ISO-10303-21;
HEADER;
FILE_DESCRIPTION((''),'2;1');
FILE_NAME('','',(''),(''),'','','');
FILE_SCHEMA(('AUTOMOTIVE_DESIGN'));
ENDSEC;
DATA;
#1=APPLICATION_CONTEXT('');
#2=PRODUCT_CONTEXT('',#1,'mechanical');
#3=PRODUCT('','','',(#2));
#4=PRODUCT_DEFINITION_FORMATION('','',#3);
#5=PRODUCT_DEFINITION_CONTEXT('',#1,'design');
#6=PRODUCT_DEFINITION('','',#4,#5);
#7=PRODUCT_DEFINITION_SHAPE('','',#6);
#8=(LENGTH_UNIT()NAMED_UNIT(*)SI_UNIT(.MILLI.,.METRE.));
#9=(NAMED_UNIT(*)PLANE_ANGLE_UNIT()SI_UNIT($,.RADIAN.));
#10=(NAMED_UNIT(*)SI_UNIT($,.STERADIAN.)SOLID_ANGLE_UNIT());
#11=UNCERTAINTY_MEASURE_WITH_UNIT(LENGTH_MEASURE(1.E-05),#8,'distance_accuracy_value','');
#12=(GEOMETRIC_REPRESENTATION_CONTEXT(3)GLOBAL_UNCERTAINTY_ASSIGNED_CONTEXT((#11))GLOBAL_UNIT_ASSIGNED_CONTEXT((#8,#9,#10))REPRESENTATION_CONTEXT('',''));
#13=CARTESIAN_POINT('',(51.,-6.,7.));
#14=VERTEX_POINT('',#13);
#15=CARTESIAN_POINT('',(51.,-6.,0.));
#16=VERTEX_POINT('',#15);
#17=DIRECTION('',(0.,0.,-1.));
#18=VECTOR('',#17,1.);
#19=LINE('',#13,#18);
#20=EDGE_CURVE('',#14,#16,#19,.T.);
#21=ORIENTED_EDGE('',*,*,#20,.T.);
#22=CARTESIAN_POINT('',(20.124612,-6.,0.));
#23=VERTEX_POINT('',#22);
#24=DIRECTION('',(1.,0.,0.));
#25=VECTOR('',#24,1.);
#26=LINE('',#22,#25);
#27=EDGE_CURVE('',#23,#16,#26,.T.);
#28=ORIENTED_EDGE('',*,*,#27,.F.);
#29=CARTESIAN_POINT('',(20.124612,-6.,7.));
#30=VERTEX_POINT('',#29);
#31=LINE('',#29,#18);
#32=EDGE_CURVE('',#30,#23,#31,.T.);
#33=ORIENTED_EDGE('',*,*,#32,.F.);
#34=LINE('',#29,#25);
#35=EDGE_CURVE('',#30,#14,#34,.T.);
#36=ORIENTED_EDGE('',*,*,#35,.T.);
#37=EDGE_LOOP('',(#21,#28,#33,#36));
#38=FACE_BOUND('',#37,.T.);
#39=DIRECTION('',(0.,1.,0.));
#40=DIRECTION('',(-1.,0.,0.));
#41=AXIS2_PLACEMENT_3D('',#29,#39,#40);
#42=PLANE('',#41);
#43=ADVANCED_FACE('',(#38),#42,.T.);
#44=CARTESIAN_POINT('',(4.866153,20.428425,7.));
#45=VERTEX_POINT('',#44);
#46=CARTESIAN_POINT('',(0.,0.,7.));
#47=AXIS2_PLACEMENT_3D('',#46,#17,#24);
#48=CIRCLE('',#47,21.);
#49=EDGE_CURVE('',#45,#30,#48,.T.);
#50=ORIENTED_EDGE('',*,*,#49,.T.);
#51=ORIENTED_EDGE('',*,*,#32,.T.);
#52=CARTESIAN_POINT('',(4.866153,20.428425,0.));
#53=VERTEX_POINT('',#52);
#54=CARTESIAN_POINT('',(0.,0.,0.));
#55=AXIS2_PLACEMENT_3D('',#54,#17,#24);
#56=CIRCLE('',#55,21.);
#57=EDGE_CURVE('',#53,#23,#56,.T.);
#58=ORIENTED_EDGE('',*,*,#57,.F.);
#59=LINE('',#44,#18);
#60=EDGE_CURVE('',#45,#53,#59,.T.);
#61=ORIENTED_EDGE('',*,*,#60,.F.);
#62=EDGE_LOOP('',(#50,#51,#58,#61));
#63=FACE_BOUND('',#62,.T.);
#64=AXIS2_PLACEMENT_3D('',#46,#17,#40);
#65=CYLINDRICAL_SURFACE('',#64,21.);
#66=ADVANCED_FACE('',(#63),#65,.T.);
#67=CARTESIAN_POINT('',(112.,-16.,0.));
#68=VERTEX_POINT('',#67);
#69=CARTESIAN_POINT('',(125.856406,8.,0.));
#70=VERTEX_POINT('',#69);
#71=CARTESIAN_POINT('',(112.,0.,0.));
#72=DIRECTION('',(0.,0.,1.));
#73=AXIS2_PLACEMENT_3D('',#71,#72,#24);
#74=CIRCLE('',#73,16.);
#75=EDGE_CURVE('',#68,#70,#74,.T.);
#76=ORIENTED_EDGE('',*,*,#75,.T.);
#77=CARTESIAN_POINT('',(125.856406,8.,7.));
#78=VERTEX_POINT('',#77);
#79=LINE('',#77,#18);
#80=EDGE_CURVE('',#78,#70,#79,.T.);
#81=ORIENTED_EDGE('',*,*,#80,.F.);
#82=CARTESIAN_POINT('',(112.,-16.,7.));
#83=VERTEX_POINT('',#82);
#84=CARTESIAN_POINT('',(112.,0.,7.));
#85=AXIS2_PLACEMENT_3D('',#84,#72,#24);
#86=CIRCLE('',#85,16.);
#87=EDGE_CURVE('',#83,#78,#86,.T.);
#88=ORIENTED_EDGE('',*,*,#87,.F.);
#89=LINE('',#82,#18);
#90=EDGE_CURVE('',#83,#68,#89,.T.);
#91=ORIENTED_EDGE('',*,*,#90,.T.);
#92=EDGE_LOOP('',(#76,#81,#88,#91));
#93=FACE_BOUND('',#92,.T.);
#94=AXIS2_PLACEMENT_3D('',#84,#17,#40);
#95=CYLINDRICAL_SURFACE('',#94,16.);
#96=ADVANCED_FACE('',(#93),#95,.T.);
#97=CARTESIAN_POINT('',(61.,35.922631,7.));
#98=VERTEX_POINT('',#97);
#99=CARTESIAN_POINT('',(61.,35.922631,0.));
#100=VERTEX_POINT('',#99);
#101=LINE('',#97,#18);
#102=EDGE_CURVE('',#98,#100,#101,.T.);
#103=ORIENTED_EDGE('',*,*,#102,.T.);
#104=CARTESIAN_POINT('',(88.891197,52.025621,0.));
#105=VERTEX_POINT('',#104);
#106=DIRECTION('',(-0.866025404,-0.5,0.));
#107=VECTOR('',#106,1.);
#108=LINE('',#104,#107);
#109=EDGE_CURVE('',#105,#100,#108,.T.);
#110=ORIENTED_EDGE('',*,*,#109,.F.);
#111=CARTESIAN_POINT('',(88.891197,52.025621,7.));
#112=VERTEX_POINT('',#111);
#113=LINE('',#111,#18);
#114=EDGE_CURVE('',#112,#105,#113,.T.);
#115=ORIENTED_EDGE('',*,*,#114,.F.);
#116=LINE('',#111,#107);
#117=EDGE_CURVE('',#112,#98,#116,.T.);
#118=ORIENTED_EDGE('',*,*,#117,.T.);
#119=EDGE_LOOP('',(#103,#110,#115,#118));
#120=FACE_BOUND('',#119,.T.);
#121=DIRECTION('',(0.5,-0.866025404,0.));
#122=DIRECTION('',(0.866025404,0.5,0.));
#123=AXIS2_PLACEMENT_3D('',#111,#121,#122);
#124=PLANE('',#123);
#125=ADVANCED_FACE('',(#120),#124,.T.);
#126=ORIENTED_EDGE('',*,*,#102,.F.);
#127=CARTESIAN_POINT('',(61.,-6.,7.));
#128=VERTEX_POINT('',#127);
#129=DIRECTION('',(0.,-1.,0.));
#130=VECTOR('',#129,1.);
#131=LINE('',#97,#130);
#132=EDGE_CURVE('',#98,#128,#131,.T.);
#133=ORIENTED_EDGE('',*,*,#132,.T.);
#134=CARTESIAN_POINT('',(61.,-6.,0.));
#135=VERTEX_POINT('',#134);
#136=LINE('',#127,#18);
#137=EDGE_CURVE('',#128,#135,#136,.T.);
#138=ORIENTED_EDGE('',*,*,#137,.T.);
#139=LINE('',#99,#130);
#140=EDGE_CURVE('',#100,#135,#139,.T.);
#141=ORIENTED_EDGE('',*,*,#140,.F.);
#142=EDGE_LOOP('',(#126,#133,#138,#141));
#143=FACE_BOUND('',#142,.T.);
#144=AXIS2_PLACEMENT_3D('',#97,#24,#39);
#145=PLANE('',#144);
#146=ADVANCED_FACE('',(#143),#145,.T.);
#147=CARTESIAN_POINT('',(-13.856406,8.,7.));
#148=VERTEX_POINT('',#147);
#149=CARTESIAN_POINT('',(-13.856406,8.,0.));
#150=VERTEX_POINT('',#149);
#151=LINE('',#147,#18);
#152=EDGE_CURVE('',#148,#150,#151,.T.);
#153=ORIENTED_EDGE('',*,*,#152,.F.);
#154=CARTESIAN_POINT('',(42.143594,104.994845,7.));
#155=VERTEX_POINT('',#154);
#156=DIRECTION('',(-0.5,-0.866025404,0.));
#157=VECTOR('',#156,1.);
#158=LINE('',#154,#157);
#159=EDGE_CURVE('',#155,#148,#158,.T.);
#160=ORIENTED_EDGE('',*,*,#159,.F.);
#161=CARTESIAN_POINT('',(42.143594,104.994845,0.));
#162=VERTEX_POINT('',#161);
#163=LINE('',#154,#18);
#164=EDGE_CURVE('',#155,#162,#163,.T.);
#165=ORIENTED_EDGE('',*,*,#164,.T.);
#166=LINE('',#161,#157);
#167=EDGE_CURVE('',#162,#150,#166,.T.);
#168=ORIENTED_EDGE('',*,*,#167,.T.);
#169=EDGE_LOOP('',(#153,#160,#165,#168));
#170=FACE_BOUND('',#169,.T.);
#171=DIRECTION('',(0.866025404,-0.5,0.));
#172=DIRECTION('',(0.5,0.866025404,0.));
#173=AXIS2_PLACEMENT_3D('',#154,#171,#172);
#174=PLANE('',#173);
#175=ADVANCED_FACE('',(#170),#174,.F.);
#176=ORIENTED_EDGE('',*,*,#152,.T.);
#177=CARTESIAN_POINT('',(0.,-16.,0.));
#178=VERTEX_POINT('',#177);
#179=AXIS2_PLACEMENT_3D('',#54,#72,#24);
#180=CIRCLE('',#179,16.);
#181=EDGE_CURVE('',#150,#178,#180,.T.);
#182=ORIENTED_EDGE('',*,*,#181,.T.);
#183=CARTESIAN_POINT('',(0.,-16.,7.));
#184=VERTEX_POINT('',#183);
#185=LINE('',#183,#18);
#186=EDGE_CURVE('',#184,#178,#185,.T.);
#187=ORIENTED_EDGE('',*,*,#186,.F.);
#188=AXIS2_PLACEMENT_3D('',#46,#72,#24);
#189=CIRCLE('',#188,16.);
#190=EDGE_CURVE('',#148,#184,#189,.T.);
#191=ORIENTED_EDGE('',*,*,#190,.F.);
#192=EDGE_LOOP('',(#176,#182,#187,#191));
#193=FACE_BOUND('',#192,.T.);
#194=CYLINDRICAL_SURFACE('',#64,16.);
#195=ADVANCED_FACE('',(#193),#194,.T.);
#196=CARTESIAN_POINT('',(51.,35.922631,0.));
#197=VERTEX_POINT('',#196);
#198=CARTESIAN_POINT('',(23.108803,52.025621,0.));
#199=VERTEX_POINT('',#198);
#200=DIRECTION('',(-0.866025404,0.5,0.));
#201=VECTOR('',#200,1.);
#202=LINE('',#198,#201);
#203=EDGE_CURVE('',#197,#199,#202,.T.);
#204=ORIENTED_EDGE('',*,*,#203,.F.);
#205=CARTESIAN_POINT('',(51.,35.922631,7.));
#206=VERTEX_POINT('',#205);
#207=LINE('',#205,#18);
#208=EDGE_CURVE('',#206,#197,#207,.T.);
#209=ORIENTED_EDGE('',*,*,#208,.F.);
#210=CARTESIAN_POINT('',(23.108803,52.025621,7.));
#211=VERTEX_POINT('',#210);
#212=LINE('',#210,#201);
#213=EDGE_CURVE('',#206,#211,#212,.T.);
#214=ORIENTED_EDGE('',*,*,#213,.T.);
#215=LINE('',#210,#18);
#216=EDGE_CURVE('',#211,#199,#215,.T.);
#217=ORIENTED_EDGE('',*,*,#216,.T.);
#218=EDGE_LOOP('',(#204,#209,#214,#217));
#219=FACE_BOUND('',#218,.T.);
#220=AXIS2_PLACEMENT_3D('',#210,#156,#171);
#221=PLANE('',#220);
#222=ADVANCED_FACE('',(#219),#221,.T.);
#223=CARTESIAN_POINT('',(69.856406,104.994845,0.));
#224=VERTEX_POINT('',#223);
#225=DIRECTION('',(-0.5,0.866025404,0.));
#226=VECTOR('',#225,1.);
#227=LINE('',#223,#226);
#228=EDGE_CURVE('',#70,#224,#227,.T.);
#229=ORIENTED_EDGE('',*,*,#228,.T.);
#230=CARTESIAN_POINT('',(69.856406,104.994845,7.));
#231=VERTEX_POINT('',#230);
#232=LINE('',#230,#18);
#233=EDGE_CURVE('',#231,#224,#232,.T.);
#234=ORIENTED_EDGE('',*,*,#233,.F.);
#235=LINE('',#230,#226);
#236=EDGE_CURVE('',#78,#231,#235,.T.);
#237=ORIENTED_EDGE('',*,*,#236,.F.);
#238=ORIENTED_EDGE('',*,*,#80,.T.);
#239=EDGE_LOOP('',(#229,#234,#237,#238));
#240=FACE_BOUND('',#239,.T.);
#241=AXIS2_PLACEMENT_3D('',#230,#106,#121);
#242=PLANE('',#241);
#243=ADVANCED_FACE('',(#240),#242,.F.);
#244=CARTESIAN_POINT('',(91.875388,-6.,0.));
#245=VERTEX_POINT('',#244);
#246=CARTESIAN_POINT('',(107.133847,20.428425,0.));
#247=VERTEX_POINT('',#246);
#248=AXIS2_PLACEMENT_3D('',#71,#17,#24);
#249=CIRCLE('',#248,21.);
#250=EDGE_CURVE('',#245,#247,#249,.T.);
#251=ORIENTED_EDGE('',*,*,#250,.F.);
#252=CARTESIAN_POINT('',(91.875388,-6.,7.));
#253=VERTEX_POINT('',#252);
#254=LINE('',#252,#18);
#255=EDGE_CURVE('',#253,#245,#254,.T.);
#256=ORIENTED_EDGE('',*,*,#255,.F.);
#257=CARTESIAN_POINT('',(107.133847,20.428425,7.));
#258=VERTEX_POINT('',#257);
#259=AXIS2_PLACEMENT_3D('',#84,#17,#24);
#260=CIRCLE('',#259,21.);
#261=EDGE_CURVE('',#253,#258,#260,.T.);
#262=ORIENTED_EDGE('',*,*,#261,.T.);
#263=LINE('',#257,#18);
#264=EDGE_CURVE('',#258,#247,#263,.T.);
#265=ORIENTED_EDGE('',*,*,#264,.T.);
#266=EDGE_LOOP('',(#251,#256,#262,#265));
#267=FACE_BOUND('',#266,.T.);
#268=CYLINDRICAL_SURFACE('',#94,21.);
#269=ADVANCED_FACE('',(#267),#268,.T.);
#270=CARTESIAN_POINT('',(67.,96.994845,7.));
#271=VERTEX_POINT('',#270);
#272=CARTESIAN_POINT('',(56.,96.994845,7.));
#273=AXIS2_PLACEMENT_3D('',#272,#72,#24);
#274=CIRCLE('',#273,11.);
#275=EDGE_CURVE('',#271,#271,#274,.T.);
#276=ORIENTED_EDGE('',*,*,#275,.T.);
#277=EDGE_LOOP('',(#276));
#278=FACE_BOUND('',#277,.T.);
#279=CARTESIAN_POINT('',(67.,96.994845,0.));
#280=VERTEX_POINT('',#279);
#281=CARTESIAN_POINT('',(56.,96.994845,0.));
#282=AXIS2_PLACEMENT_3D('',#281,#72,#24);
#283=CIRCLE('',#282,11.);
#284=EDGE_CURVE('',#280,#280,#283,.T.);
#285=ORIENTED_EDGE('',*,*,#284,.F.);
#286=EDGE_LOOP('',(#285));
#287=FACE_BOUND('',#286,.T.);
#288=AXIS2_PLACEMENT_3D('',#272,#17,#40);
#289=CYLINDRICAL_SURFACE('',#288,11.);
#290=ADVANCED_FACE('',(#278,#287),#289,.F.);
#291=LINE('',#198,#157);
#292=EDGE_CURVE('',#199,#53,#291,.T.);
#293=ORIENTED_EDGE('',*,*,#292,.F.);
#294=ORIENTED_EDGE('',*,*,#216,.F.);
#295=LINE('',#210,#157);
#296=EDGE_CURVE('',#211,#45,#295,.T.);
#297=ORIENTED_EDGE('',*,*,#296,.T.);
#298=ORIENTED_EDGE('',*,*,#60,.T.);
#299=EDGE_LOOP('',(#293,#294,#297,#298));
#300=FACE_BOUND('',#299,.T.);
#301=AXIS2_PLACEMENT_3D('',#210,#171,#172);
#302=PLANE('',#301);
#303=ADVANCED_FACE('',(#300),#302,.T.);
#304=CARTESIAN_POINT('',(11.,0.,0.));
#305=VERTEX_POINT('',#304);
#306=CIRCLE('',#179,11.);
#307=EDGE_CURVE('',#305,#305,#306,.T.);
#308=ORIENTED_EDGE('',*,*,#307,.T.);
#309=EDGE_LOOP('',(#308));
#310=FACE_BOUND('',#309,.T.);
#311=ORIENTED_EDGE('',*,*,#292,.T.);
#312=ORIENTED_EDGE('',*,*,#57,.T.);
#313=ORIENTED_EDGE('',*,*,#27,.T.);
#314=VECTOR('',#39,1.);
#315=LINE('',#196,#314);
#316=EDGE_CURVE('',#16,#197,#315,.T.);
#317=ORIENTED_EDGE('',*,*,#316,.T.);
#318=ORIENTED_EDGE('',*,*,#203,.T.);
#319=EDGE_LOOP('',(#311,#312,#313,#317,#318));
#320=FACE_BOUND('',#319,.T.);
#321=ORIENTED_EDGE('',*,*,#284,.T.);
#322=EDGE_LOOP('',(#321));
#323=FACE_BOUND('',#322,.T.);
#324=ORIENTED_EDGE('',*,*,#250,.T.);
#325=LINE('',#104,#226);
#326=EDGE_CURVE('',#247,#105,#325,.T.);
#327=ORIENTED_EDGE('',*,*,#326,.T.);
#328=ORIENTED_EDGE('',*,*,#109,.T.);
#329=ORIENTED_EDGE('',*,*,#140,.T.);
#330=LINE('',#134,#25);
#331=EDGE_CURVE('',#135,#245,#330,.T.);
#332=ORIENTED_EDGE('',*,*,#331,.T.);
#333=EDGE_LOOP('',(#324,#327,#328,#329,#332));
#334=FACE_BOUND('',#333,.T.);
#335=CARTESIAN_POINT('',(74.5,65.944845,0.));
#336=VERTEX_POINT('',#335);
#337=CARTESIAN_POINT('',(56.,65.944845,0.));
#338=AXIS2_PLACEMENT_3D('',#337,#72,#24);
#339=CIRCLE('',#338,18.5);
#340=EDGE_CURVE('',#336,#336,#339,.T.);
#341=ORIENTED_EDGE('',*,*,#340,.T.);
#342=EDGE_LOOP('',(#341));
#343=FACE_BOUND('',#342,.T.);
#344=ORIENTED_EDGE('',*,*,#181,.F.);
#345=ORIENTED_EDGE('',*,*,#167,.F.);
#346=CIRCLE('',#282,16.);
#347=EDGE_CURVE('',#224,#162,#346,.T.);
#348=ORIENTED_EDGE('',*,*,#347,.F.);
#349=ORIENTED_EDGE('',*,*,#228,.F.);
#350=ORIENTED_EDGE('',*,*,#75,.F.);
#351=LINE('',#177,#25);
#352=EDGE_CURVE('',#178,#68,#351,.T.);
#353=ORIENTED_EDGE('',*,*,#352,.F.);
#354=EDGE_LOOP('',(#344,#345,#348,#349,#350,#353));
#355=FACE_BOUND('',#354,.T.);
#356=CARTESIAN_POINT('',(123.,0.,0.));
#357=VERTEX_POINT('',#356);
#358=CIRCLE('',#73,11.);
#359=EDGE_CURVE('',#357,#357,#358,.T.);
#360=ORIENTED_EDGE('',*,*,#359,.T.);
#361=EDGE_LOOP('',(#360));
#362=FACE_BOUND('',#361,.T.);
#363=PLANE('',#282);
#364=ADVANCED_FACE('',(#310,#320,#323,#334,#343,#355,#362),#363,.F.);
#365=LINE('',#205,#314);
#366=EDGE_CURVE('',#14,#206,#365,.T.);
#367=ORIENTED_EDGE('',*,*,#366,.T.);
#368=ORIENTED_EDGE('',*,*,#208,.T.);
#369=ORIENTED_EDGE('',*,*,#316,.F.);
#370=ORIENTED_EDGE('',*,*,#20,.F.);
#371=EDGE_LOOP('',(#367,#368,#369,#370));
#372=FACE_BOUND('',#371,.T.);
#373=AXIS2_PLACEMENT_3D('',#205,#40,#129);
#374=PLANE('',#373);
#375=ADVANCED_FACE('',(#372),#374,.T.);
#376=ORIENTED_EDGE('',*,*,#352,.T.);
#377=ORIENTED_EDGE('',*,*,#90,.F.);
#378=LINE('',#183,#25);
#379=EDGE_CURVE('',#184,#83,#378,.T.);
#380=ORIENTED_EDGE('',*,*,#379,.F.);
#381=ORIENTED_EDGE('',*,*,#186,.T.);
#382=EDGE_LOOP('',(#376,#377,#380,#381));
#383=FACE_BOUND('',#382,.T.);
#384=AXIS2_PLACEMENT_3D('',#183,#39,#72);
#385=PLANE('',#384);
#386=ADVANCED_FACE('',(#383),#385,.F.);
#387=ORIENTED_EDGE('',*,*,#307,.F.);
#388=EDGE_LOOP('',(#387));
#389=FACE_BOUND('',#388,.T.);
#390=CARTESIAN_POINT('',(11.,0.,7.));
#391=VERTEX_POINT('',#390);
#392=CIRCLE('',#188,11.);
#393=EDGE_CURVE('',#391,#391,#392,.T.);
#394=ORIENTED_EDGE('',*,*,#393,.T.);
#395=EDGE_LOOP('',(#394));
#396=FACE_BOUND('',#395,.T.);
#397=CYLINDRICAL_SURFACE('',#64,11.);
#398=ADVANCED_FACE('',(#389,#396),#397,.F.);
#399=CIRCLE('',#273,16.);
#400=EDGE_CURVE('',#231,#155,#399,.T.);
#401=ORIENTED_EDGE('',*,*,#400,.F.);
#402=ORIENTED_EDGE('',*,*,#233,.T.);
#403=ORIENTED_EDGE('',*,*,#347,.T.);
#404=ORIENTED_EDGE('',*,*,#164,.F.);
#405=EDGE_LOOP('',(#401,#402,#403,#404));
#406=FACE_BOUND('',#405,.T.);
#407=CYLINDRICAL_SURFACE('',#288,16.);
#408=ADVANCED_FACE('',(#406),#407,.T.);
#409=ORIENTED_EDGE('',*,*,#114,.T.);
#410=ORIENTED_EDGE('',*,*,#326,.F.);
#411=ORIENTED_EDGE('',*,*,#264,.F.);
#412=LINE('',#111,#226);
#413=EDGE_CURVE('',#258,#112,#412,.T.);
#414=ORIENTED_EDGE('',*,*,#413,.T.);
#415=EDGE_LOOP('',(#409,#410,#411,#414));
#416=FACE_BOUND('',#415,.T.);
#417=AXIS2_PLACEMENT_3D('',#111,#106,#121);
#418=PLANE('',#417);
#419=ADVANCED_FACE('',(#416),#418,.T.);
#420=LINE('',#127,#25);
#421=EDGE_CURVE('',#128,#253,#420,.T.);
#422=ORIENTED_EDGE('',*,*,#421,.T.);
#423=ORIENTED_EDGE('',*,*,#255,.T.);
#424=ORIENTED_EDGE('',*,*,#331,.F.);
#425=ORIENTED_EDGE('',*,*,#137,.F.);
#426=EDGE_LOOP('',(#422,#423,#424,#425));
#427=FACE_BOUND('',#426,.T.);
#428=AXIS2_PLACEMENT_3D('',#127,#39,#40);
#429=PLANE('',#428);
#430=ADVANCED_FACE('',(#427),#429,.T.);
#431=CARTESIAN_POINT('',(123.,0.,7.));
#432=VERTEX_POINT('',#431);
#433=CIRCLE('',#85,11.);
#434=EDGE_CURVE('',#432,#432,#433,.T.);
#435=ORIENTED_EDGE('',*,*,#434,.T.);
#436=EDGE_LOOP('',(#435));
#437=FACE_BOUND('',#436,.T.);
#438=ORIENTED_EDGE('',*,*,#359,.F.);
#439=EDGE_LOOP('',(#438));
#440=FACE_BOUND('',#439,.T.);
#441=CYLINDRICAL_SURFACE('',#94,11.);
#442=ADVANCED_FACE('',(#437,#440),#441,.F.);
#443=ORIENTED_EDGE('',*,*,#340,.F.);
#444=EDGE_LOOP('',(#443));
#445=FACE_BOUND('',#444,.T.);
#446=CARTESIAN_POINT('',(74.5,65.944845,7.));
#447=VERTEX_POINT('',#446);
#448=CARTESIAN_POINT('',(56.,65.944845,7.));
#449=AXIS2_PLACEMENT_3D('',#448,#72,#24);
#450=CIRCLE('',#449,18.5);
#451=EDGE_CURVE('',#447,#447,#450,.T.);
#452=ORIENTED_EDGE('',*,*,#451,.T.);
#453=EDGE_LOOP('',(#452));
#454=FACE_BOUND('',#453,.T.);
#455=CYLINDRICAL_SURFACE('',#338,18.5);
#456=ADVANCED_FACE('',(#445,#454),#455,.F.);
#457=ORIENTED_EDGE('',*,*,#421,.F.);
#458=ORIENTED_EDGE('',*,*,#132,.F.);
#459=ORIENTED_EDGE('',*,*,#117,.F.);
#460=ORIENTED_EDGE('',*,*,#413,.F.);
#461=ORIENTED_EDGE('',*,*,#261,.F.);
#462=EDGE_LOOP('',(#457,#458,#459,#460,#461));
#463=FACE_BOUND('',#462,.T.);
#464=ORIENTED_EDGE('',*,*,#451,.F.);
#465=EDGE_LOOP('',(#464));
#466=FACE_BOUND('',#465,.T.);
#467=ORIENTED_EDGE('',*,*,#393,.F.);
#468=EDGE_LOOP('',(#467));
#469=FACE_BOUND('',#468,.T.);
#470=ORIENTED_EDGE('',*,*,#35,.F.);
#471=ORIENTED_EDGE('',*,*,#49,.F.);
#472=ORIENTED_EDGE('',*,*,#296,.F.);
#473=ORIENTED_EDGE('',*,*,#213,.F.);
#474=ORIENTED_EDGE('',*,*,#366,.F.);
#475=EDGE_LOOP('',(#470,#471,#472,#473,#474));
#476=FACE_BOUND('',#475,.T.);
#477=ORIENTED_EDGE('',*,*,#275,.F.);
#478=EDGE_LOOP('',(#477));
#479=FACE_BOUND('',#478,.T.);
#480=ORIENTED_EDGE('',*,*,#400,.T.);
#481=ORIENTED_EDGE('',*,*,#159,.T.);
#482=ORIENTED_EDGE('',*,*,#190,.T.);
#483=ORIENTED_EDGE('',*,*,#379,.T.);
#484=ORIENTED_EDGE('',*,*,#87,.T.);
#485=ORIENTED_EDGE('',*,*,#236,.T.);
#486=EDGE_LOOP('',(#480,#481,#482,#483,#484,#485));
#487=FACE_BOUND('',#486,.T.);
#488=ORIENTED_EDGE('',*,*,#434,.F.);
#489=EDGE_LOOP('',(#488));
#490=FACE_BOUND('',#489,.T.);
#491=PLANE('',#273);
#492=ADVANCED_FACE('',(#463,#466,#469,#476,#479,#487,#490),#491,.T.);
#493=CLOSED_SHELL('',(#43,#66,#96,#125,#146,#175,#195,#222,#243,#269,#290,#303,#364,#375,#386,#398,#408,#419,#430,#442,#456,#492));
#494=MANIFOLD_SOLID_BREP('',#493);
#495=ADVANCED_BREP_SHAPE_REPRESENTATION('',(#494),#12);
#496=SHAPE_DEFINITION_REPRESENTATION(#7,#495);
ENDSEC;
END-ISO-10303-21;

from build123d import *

# Parameters (mm, degrees)
SKETCH1_R           = 11
BOSS_EXTRUDE1_DEPTH = 7
SKETCH3_R           = 18.5
CUT_EXTRUDE1_DEPTH  = 8
CUT_EXTRUDE3_DEPTH  = 8


with BuildPart() as part:
    # Sketch1 → Boss-Extrude1 (new body)
    with BuildSketch(Plane.XY):
        with BuildLine():
            Line((42.143593539, 104.994845224), (-13.856406461, 8))
            ThreePointArc((-13.856406461, 8), (-13.856406461, -8), (0, -16))
            Line((0, -16), (112, -16))
            ThreePointArc((112, -16), (125.856406461, -8), (125.856406461, 8))
            Line((125.856406461, 8), (69.856406461, 104.994845224))
            ThreePointArc((69.856406461, 104.994845224), (56, 112.994845224), (42.143593539, 104.994845224))
        make_face()
        Circle(SKETCH1_R, mode=Mode.SUBTRACT)
        with Locations((112, 0)):
            Circle(SKETCH1_R, mode=Mode.SUBTRACT)
        with Locations((56, 96.994845224)):
            Circle(SKETCH1_R, mode=Mode.SUBTRACT)
    extrude(amount=BOSS_EXTRUDE1_DEPTH)

    # Sketch3 → Cut-Extrude1 (cut, through all)
    with BuildSketch(Plane.XY.offset(7)):
        with Locations((56, 65.944845224)):
            Circle(SKETCH3_R)
    extrude(amount=-CUT_EXTRUDE1_DEPTH, mode=Mode.SUBTRACT)

    # Sketch6 → Cut-Extrude3 (cut, through all)
    with BuildSketch(Plane.XY):
        with BuildLine():
            Line((23.108803184, 52.025621216), (4.866153476, 20.428425058))
            ThreePointArc((4.866153476, 20.428425058), (18.186533479, 10.5), (20.124611797, -6))
            Line((20.124611797, -6), (51, -6))
            Line((51, -6), (51, 35.922631226))
            Line((51, 35.922631226), (23.108803184, 52.025621216))
        make_face()
        with BuildLine():
            Line((61, 35.922631226), (61, -6))
            Line((61, -6), (91.875388203, -6))
            ThreePointArc((91.875388203, -6), (93.813466521, 10.5), (107.133846524, 20.428425058))
            Line((107.133846524, 20.428425058), (88.891196816, 52.025621216))
            Line((88.891196816, 52.025621216), (61, 35.922631226))
        make_face()
    extrude(amount=CUT_EXTRUDE3_DEPTH, mode=Mode.SUBTRACT)


solid = part.part
